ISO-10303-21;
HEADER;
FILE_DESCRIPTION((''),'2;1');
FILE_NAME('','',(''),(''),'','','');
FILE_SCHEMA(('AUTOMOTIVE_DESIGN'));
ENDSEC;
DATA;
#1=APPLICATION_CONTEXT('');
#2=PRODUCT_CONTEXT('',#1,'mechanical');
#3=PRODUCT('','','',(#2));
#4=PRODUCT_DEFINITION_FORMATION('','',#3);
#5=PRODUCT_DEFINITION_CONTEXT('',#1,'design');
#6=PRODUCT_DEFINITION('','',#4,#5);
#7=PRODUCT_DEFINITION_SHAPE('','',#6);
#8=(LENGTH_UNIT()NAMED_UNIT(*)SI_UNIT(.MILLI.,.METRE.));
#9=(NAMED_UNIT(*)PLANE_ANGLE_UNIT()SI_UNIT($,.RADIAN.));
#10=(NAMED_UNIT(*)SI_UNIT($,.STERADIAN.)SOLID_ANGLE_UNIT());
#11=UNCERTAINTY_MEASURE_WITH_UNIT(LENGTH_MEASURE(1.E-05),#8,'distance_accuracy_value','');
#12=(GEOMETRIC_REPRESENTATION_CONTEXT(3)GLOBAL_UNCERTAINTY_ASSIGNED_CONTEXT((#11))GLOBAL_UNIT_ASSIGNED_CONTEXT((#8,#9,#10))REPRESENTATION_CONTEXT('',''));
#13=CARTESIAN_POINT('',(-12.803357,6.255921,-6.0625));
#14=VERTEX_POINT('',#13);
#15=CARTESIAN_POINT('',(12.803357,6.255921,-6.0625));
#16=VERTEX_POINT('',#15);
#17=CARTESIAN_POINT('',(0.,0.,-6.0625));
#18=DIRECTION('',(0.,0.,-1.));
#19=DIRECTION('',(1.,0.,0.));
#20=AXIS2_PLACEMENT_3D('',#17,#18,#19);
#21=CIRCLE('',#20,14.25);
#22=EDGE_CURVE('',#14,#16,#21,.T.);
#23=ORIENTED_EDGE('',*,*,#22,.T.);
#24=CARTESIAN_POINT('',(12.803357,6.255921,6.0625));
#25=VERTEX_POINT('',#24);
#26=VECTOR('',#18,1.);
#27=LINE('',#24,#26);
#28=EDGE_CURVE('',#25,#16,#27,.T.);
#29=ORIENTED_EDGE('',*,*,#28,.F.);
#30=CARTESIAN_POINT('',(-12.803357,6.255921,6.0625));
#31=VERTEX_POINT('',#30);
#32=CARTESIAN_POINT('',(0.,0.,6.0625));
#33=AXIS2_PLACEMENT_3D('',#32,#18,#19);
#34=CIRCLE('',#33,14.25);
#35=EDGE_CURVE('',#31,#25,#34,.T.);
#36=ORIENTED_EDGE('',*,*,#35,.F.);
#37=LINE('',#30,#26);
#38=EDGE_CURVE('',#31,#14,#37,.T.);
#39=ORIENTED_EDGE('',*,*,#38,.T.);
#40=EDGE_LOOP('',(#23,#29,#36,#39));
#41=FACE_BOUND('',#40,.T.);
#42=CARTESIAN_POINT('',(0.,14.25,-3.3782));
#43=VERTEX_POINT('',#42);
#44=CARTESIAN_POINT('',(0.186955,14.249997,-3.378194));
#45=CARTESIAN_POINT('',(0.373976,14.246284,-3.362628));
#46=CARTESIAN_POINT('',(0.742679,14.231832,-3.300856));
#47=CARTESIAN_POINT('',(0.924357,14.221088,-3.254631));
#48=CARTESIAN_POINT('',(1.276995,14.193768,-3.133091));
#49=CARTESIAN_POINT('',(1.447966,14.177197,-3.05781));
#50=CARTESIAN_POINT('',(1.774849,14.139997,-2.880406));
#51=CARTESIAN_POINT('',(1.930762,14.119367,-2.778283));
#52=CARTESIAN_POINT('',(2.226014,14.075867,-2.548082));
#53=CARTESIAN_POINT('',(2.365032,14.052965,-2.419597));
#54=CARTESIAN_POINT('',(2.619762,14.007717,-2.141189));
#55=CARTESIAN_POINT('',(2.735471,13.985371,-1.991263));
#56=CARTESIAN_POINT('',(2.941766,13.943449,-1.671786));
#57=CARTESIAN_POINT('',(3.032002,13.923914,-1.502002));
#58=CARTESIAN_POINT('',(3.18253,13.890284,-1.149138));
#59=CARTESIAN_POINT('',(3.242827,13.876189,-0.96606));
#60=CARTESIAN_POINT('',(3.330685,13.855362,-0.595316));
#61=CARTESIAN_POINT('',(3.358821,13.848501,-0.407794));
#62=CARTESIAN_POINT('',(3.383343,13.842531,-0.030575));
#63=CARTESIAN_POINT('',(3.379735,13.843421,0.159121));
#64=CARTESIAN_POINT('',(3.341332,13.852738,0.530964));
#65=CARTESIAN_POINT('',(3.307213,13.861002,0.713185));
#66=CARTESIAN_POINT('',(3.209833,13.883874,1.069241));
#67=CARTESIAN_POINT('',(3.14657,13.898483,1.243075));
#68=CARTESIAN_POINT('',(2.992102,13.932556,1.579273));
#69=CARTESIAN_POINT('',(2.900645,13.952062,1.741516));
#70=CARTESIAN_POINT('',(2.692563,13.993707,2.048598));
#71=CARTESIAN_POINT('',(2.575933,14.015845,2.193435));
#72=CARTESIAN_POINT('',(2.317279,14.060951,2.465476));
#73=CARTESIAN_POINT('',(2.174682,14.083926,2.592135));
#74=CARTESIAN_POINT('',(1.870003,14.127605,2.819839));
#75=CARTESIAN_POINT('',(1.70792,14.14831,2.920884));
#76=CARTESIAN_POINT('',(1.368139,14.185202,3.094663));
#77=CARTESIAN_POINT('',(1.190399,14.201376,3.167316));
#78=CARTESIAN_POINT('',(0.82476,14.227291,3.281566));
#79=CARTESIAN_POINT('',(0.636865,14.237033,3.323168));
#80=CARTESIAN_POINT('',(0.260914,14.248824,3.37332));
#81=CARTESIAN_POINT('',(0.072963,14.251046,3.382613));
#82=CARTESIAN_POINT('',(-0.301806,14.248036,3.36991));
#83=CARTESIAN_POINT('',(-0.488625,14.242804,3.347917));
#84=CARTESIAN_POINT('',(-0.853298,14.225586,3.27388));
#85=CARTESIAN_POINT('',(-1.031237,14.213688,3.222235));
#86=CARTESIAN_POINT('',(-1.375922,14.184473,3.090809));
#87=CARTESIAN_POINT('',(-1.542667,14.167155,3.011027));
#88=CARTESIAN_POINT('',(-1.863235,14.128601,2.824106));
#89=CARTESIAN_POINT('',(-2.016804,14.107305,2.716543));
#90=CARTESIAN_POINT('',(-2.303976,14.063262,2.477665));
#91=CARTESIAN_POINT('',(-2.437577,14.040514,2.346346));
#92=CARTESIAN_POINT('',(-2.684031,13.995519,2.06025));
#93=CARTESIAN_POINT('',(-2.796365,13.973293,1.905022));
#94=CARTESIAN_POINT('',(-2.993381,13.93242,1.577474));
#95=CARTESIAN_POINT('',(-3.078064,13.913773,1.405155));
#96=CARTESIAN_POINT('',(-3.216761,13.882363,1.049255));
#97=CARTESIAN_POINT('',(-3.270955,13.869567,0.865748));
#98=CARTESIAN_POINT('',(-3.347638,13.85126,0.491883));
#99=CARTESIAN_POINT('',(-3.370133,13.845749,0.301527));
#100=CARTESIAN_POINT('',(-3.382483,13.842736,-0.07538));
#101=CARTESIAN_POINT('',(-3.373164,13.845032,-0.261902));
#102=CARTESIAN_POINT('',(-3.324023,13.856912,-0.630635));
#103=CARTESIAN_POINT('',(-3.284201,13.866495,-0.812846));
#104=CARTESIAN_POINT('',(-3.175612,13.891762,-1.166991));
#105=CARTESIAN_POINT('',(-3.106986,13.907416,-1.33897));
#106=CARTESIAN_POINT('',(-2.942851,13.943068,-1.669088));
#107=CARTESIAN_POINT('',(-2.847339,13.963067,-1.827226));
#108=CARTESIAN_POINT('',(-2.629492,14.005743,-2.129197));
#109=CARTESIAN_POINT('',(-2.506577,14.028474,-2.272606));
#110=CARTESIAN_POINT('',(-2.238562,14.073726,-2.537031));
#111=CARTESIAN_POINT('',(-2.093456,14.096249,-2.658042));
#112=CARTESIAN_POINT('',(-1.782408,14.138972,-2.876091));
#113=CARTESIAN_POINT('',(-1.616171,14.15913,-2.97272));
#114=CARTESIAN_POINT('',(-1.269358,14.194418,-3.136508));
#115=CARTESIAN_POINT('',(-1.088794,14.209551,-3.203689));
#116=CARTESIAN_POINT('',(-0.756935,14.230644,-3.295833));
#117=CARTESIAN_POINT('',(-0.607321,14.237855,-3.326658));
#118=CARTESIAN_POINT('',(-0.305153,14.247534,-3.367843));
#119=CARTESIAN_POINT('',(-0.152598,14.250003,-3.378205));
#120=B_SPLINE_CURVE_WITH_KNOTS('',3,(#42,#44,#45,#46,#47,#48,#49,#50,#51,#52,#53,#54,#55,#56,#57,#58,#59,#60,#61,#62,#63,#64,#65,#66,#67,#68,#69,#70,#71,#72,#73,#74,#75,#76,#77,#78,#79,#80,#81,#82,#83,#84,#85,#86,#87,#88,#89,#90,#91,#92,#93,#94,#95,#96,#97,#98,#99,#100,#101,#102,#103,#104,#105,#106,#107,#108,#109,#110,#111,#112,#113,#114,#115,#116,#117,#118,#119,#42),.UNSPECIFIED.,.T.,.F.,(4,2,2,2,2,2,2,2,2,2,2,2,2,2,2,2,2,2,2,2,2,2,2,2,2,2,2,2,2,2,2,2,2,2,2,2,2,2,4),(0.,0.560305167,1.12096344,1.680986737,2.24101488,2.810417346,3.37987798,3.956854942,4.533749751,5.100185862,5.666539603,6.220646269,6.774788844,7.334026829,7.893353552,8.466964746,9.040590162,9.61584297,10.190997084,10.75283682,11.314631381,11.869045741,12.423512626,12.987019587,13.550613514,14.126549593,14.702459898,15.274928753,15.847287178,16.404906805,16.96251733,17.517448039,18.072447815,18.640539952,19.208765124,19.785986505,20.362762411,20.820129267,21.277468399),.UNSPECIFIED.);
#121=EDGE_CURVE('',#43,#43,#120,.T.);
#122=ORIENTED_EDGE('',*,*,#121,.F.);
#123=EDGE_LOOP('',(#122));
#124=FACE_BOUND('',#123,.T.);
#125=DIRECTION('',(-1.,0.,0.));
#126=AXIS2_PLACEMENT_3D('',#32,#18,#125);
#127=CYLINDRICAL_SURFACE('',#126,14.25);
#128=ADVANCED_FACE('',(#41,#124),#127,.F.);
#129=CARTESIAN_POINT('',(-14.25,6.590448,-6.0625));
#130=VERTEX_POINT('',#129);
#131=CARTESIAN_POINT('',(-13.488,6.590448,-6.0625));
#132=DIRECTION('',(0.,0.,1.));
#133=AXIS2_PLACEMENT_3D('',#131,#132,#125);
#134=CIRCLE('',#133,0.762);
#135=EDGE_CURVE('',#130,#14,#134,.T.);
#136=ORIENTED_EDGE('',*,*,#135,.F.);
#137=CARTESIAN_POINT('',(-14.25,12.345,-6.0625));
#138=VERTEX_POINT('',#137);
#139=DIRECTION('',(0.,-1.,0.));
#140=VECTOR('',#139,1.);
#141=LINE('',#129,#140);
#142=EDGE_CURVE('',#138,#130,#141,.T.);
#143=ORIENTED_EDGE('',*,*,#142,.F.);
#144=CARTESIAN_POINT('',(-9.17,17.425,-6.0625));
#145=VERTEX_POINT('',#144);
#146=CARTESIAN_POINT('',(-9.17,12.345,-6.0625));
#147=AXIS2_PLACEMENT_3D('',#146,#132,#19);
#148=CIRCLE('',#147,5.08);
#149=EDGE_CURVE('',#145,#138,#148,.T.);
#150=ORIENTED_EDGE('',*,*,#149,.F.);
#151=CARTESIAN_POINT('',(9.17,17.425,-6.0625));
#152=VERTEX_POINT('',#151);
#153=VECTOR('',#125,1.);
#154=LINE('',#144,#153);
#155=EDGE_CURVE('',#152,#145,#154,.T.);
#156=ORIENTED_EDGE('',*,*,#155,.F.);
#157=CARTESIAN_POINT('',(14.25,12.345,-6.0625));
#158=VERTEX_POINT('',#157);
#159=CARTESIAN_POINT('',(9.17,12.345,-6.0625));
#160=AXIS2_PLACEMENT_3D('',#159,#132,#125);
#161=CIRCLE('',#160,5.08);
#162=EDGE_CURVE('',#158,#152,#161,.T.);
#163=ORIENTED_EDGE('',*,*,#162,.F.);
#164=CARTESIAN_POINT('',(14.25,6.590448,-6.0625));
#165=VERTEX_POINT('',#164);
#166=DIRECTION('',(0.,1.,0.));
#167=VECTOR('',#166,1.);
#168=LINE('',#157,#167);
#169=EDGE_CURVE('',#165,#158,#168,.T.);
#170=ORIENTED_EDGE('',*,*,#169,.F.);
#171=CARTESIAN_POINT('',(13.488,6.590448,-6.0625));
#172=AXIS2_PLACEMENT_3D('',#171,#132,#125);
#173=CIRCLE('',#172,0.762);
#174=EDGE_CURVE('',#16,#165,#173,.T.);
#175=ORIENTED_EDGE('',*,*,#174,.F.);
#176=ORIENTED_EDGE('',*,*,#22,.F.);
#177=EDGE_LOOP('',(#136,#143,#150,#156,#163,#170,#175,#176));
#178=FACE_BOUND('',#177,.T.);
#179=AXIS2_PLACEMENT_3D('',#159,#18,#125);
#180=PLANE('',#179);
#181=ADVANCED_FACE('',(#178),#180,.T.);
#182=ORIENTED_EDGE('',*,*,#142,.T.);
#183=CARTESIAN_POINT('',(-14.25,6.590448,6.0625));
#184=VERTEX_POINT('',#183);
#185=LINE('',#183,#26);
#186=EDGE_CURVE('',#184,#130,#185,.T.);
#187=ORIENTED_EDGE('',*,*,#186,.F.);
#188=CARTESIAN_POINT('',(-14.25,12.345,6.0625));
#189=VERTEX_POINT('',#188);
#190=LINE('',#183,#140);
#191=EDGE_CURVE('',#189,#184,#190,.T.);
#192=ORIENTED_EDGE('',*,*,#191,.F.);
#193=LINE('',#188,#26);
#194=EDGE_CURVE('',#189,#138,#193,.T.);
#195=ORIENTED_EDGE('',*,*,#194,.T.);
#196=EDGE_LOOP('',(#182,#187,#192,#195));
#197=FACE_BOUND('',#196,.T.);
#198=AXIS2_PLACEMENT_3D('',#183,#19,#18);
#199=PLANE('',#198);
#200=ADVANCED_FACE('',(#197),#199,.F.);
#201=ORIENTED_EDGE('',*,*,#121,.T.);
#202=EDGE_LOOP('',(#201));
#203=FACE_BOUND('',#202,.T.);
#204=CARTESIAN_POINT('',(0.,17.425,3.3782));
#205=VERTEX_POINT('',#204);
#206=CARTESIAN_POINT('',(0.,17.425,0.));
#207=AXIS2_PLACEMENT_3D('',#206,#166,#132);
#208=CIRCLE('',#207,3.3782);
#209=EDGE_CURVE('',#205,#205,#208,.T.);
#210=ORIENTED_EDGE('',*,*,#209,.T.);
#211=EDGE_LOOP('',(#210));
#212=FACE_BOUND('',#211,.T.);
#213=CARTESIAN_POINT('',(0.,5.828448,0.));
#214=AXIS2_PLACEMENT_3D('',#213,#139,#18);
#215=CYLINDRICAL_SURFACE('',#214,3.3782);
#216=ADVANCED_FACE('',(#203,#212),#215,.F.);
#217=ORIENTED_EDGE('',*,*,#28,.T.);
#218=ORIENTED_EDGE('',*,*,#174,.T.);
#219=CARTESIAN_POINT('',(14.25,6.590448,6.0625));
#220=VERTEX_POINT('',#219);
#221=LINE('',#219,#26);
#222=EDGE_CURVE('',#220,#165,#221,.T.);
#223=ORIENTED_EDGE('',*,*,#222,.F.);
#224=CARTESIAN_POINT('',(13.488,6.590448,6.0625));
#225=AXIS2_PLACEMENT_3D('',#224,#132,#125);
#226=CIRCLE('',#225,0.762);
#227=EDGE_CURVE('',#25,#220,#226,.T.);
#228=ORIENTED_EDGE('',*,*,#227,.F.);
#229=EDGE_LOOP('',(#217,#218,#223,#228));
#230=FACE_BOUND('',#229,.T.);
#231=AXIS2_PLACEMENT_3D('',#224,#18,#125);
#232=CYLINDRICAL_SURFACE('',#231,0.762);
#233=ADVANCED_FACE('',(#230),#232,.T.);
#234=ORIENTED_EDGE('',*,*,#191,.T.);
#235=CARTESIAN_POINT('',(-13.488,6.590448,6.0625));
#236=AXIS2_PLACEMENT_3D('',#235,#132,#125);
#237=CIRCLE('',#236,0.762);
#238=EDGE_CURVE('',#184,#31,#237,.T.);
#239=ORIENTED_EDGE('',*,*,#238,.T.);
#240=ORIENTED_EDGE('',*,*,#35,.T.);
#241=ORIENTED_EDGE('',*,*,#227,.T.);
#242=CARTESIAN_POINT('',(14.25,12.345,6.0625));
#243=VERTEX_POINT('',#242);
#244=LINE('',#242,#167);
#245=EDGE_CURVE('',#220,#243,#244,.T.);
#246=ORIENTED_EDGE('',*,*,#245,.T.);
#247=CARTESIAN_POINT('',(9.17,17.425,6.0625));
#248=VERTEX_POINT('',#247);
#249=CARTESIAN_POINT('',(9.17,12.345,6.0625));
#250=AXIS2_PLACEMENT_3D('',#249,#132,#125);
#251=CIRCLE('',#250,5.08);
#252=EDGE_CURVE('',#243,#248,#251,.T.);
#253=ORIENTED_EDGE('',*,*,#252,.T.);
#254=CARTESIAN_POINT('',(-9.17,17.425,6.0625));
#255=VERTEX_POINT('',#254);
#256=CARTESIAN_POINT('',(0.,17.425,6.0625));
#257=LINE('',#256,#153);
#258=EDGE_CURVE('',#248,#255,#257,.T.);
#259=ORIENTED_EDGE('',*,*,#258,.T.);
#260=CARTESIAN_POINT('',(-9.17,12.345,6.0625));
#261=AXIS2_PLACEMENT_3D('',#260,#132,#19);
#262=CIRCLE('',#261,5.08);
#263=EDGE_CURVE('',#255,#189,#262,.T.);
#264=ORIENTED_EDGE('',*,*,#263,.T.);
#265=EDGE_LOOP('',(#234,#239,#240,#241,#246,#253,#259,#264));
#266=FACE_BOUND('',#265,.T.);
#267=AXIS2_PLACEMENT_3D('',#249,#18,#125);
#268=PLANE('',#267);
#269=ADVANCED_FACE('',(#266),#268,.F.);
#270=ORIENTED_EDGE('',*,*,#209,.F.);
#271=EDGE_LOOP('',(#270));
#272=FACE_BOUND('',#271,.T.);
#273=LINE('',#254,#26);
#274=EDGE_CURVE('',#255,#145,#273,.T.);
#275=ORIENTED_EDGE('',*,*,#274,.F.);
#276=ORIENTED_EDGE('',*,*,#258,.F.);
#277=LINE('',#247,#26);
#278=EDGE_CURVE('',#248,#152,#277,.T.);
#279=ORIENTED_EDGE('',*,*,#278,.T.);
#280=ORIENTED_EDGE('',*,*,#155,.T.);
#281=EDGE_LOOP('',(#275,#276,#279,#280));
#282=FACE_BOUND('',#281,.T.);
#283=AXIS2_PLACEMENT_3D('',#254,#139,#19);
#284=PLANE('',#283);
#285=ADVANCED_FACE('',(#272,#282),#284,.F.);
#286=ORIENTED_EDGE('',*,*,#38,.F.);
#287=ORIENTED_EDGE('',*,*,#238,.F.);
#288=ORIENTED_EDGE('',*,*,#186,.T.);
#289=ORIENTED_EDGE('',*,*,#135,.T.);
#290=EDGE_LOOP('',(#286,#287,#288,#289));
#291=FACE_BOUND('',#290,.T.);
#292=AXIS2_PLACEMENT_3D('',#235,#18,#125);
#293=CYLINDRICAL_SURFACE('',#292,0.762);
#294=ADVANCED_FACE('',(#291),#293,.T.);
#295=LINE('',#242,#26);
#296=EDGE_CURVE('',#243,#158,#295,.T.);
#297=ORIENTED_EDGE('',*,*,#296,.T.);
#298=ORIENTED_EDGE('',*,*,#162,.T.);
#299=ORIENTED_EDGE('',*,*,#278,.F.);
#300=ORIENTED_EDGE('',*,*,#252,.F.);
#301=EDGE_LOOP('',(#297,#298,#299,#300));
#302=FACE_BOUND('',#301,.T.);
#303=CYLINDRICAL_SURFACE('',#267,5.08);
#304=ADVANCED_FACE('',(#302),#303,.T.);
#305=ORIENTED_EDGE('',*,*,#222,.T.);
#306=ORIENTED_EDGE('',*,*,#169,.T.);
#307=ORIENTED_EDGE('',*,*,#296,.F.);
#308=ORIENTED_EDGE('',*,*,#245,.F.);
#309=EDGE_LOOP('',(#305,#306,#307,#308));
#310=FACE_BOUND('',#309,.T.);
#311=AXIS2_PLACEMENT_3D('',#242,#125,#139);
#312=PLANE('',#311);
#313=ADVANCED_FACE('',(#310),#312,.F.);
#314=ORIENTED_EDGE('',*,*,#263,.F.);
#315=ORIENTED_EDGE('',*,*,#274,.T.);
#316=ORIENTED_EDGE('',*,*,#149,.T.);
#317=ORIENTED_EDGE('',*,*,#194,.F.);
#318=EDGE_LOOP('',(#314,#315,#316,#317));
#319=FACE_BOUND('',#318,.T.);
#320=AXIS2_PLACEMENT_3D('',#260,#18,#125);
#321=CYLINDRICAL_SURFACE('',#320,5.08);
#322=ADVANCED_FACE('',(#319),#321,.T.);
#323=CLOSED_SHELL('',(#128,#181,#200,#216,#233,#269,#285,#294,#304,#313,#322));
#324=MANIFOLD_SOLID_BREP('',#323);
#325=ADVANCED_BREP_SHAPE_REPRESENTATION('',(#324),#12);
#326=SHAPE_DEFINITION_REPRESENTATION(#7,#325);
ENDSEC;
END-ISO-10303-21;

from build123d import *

# Parameters (mm, degrees)
BOSS_EXTRUDE1_DEPTH     = 6.0625
CUT_EXTRUDE1_DEPTH      = 24.31195039566617
CUT_EXTRUDE1_DEPTH_BACK = 24.31195039566617
SKETCH3_R               = 3.3782


with BuildPart() as part:
    # Sketch2 → Boss-Extrude1 (new, symmetric)
    with BuildSketch(Plane.XY):
        with BuildLine():
            Line((-14.25, 6.590447632748479), (-14.25, 12.344999999999999))
            ThreePointArc((-14.25, 12.344999999999999), (-12.762102448427667, 15.937102448427664), (-9.170000000000002, 17.425000000000004))
            Line((-9.170000000000002, 17.425000000000004), (9.36e-15, 17.425))
            Line((9.36e-15, 17.425), (9.169999999999998, 17.424999999999997))
            ThreePointArc((9.169999999999998, 17.424999999999997), (12.762102448427658, 15.937102448427659), (14.25, 12.344999999999999))
            Line((14.25, 12.344999999999999), (14.249999999999998, 6.5904476327484804))
            ThreePointArc((14.249999999999998, 6.5904476327484804), (13.659677420444995, 5.848038807835043), (12.80335731414868, 6.255920514699297))
            ThreePointArc((12.80335731414868, 6.255920514699297), (7.547040236593919, 12.087377038350068), (9.54e-15, 14.25))
            ThreePointArc((9.54e-15, 14.25), (-7.547040236593908, 12.087377038350072), (-12.803357314148682, 6.255920514699296))
            ThreePointArc((-12.803357314148682, 6.255920514699296), (-13.659677420444993, 5.848038807835042), (-14.25, 6.590447632748479))
        make_face()
    extrude(amount=BOSS_EXTRUDE1_DEPTH, both=True)

    # Sketch3 → Cut-Extrude1 (cut, two sides: drawn at the far end of the back side and taken through both)
    with BuildSketch(Plane(origin=(0, 0, 0), x_dir=(1, 0, 0), z_dir=(0, 1, 0)).offset(-CUT_EXTRUDE1_DEPTH_BACK)):
        with Locations(Location((0, 0, 0), (0, 0, 90))):
            Circle(SKETCH3_R)
    extrude(amount=CUT_EXTRUDE1_DEPTH + CUT_EXTRUDE1_DEPTH_BACK, mode=Mode.SUBTRACT)


solid = part.part
